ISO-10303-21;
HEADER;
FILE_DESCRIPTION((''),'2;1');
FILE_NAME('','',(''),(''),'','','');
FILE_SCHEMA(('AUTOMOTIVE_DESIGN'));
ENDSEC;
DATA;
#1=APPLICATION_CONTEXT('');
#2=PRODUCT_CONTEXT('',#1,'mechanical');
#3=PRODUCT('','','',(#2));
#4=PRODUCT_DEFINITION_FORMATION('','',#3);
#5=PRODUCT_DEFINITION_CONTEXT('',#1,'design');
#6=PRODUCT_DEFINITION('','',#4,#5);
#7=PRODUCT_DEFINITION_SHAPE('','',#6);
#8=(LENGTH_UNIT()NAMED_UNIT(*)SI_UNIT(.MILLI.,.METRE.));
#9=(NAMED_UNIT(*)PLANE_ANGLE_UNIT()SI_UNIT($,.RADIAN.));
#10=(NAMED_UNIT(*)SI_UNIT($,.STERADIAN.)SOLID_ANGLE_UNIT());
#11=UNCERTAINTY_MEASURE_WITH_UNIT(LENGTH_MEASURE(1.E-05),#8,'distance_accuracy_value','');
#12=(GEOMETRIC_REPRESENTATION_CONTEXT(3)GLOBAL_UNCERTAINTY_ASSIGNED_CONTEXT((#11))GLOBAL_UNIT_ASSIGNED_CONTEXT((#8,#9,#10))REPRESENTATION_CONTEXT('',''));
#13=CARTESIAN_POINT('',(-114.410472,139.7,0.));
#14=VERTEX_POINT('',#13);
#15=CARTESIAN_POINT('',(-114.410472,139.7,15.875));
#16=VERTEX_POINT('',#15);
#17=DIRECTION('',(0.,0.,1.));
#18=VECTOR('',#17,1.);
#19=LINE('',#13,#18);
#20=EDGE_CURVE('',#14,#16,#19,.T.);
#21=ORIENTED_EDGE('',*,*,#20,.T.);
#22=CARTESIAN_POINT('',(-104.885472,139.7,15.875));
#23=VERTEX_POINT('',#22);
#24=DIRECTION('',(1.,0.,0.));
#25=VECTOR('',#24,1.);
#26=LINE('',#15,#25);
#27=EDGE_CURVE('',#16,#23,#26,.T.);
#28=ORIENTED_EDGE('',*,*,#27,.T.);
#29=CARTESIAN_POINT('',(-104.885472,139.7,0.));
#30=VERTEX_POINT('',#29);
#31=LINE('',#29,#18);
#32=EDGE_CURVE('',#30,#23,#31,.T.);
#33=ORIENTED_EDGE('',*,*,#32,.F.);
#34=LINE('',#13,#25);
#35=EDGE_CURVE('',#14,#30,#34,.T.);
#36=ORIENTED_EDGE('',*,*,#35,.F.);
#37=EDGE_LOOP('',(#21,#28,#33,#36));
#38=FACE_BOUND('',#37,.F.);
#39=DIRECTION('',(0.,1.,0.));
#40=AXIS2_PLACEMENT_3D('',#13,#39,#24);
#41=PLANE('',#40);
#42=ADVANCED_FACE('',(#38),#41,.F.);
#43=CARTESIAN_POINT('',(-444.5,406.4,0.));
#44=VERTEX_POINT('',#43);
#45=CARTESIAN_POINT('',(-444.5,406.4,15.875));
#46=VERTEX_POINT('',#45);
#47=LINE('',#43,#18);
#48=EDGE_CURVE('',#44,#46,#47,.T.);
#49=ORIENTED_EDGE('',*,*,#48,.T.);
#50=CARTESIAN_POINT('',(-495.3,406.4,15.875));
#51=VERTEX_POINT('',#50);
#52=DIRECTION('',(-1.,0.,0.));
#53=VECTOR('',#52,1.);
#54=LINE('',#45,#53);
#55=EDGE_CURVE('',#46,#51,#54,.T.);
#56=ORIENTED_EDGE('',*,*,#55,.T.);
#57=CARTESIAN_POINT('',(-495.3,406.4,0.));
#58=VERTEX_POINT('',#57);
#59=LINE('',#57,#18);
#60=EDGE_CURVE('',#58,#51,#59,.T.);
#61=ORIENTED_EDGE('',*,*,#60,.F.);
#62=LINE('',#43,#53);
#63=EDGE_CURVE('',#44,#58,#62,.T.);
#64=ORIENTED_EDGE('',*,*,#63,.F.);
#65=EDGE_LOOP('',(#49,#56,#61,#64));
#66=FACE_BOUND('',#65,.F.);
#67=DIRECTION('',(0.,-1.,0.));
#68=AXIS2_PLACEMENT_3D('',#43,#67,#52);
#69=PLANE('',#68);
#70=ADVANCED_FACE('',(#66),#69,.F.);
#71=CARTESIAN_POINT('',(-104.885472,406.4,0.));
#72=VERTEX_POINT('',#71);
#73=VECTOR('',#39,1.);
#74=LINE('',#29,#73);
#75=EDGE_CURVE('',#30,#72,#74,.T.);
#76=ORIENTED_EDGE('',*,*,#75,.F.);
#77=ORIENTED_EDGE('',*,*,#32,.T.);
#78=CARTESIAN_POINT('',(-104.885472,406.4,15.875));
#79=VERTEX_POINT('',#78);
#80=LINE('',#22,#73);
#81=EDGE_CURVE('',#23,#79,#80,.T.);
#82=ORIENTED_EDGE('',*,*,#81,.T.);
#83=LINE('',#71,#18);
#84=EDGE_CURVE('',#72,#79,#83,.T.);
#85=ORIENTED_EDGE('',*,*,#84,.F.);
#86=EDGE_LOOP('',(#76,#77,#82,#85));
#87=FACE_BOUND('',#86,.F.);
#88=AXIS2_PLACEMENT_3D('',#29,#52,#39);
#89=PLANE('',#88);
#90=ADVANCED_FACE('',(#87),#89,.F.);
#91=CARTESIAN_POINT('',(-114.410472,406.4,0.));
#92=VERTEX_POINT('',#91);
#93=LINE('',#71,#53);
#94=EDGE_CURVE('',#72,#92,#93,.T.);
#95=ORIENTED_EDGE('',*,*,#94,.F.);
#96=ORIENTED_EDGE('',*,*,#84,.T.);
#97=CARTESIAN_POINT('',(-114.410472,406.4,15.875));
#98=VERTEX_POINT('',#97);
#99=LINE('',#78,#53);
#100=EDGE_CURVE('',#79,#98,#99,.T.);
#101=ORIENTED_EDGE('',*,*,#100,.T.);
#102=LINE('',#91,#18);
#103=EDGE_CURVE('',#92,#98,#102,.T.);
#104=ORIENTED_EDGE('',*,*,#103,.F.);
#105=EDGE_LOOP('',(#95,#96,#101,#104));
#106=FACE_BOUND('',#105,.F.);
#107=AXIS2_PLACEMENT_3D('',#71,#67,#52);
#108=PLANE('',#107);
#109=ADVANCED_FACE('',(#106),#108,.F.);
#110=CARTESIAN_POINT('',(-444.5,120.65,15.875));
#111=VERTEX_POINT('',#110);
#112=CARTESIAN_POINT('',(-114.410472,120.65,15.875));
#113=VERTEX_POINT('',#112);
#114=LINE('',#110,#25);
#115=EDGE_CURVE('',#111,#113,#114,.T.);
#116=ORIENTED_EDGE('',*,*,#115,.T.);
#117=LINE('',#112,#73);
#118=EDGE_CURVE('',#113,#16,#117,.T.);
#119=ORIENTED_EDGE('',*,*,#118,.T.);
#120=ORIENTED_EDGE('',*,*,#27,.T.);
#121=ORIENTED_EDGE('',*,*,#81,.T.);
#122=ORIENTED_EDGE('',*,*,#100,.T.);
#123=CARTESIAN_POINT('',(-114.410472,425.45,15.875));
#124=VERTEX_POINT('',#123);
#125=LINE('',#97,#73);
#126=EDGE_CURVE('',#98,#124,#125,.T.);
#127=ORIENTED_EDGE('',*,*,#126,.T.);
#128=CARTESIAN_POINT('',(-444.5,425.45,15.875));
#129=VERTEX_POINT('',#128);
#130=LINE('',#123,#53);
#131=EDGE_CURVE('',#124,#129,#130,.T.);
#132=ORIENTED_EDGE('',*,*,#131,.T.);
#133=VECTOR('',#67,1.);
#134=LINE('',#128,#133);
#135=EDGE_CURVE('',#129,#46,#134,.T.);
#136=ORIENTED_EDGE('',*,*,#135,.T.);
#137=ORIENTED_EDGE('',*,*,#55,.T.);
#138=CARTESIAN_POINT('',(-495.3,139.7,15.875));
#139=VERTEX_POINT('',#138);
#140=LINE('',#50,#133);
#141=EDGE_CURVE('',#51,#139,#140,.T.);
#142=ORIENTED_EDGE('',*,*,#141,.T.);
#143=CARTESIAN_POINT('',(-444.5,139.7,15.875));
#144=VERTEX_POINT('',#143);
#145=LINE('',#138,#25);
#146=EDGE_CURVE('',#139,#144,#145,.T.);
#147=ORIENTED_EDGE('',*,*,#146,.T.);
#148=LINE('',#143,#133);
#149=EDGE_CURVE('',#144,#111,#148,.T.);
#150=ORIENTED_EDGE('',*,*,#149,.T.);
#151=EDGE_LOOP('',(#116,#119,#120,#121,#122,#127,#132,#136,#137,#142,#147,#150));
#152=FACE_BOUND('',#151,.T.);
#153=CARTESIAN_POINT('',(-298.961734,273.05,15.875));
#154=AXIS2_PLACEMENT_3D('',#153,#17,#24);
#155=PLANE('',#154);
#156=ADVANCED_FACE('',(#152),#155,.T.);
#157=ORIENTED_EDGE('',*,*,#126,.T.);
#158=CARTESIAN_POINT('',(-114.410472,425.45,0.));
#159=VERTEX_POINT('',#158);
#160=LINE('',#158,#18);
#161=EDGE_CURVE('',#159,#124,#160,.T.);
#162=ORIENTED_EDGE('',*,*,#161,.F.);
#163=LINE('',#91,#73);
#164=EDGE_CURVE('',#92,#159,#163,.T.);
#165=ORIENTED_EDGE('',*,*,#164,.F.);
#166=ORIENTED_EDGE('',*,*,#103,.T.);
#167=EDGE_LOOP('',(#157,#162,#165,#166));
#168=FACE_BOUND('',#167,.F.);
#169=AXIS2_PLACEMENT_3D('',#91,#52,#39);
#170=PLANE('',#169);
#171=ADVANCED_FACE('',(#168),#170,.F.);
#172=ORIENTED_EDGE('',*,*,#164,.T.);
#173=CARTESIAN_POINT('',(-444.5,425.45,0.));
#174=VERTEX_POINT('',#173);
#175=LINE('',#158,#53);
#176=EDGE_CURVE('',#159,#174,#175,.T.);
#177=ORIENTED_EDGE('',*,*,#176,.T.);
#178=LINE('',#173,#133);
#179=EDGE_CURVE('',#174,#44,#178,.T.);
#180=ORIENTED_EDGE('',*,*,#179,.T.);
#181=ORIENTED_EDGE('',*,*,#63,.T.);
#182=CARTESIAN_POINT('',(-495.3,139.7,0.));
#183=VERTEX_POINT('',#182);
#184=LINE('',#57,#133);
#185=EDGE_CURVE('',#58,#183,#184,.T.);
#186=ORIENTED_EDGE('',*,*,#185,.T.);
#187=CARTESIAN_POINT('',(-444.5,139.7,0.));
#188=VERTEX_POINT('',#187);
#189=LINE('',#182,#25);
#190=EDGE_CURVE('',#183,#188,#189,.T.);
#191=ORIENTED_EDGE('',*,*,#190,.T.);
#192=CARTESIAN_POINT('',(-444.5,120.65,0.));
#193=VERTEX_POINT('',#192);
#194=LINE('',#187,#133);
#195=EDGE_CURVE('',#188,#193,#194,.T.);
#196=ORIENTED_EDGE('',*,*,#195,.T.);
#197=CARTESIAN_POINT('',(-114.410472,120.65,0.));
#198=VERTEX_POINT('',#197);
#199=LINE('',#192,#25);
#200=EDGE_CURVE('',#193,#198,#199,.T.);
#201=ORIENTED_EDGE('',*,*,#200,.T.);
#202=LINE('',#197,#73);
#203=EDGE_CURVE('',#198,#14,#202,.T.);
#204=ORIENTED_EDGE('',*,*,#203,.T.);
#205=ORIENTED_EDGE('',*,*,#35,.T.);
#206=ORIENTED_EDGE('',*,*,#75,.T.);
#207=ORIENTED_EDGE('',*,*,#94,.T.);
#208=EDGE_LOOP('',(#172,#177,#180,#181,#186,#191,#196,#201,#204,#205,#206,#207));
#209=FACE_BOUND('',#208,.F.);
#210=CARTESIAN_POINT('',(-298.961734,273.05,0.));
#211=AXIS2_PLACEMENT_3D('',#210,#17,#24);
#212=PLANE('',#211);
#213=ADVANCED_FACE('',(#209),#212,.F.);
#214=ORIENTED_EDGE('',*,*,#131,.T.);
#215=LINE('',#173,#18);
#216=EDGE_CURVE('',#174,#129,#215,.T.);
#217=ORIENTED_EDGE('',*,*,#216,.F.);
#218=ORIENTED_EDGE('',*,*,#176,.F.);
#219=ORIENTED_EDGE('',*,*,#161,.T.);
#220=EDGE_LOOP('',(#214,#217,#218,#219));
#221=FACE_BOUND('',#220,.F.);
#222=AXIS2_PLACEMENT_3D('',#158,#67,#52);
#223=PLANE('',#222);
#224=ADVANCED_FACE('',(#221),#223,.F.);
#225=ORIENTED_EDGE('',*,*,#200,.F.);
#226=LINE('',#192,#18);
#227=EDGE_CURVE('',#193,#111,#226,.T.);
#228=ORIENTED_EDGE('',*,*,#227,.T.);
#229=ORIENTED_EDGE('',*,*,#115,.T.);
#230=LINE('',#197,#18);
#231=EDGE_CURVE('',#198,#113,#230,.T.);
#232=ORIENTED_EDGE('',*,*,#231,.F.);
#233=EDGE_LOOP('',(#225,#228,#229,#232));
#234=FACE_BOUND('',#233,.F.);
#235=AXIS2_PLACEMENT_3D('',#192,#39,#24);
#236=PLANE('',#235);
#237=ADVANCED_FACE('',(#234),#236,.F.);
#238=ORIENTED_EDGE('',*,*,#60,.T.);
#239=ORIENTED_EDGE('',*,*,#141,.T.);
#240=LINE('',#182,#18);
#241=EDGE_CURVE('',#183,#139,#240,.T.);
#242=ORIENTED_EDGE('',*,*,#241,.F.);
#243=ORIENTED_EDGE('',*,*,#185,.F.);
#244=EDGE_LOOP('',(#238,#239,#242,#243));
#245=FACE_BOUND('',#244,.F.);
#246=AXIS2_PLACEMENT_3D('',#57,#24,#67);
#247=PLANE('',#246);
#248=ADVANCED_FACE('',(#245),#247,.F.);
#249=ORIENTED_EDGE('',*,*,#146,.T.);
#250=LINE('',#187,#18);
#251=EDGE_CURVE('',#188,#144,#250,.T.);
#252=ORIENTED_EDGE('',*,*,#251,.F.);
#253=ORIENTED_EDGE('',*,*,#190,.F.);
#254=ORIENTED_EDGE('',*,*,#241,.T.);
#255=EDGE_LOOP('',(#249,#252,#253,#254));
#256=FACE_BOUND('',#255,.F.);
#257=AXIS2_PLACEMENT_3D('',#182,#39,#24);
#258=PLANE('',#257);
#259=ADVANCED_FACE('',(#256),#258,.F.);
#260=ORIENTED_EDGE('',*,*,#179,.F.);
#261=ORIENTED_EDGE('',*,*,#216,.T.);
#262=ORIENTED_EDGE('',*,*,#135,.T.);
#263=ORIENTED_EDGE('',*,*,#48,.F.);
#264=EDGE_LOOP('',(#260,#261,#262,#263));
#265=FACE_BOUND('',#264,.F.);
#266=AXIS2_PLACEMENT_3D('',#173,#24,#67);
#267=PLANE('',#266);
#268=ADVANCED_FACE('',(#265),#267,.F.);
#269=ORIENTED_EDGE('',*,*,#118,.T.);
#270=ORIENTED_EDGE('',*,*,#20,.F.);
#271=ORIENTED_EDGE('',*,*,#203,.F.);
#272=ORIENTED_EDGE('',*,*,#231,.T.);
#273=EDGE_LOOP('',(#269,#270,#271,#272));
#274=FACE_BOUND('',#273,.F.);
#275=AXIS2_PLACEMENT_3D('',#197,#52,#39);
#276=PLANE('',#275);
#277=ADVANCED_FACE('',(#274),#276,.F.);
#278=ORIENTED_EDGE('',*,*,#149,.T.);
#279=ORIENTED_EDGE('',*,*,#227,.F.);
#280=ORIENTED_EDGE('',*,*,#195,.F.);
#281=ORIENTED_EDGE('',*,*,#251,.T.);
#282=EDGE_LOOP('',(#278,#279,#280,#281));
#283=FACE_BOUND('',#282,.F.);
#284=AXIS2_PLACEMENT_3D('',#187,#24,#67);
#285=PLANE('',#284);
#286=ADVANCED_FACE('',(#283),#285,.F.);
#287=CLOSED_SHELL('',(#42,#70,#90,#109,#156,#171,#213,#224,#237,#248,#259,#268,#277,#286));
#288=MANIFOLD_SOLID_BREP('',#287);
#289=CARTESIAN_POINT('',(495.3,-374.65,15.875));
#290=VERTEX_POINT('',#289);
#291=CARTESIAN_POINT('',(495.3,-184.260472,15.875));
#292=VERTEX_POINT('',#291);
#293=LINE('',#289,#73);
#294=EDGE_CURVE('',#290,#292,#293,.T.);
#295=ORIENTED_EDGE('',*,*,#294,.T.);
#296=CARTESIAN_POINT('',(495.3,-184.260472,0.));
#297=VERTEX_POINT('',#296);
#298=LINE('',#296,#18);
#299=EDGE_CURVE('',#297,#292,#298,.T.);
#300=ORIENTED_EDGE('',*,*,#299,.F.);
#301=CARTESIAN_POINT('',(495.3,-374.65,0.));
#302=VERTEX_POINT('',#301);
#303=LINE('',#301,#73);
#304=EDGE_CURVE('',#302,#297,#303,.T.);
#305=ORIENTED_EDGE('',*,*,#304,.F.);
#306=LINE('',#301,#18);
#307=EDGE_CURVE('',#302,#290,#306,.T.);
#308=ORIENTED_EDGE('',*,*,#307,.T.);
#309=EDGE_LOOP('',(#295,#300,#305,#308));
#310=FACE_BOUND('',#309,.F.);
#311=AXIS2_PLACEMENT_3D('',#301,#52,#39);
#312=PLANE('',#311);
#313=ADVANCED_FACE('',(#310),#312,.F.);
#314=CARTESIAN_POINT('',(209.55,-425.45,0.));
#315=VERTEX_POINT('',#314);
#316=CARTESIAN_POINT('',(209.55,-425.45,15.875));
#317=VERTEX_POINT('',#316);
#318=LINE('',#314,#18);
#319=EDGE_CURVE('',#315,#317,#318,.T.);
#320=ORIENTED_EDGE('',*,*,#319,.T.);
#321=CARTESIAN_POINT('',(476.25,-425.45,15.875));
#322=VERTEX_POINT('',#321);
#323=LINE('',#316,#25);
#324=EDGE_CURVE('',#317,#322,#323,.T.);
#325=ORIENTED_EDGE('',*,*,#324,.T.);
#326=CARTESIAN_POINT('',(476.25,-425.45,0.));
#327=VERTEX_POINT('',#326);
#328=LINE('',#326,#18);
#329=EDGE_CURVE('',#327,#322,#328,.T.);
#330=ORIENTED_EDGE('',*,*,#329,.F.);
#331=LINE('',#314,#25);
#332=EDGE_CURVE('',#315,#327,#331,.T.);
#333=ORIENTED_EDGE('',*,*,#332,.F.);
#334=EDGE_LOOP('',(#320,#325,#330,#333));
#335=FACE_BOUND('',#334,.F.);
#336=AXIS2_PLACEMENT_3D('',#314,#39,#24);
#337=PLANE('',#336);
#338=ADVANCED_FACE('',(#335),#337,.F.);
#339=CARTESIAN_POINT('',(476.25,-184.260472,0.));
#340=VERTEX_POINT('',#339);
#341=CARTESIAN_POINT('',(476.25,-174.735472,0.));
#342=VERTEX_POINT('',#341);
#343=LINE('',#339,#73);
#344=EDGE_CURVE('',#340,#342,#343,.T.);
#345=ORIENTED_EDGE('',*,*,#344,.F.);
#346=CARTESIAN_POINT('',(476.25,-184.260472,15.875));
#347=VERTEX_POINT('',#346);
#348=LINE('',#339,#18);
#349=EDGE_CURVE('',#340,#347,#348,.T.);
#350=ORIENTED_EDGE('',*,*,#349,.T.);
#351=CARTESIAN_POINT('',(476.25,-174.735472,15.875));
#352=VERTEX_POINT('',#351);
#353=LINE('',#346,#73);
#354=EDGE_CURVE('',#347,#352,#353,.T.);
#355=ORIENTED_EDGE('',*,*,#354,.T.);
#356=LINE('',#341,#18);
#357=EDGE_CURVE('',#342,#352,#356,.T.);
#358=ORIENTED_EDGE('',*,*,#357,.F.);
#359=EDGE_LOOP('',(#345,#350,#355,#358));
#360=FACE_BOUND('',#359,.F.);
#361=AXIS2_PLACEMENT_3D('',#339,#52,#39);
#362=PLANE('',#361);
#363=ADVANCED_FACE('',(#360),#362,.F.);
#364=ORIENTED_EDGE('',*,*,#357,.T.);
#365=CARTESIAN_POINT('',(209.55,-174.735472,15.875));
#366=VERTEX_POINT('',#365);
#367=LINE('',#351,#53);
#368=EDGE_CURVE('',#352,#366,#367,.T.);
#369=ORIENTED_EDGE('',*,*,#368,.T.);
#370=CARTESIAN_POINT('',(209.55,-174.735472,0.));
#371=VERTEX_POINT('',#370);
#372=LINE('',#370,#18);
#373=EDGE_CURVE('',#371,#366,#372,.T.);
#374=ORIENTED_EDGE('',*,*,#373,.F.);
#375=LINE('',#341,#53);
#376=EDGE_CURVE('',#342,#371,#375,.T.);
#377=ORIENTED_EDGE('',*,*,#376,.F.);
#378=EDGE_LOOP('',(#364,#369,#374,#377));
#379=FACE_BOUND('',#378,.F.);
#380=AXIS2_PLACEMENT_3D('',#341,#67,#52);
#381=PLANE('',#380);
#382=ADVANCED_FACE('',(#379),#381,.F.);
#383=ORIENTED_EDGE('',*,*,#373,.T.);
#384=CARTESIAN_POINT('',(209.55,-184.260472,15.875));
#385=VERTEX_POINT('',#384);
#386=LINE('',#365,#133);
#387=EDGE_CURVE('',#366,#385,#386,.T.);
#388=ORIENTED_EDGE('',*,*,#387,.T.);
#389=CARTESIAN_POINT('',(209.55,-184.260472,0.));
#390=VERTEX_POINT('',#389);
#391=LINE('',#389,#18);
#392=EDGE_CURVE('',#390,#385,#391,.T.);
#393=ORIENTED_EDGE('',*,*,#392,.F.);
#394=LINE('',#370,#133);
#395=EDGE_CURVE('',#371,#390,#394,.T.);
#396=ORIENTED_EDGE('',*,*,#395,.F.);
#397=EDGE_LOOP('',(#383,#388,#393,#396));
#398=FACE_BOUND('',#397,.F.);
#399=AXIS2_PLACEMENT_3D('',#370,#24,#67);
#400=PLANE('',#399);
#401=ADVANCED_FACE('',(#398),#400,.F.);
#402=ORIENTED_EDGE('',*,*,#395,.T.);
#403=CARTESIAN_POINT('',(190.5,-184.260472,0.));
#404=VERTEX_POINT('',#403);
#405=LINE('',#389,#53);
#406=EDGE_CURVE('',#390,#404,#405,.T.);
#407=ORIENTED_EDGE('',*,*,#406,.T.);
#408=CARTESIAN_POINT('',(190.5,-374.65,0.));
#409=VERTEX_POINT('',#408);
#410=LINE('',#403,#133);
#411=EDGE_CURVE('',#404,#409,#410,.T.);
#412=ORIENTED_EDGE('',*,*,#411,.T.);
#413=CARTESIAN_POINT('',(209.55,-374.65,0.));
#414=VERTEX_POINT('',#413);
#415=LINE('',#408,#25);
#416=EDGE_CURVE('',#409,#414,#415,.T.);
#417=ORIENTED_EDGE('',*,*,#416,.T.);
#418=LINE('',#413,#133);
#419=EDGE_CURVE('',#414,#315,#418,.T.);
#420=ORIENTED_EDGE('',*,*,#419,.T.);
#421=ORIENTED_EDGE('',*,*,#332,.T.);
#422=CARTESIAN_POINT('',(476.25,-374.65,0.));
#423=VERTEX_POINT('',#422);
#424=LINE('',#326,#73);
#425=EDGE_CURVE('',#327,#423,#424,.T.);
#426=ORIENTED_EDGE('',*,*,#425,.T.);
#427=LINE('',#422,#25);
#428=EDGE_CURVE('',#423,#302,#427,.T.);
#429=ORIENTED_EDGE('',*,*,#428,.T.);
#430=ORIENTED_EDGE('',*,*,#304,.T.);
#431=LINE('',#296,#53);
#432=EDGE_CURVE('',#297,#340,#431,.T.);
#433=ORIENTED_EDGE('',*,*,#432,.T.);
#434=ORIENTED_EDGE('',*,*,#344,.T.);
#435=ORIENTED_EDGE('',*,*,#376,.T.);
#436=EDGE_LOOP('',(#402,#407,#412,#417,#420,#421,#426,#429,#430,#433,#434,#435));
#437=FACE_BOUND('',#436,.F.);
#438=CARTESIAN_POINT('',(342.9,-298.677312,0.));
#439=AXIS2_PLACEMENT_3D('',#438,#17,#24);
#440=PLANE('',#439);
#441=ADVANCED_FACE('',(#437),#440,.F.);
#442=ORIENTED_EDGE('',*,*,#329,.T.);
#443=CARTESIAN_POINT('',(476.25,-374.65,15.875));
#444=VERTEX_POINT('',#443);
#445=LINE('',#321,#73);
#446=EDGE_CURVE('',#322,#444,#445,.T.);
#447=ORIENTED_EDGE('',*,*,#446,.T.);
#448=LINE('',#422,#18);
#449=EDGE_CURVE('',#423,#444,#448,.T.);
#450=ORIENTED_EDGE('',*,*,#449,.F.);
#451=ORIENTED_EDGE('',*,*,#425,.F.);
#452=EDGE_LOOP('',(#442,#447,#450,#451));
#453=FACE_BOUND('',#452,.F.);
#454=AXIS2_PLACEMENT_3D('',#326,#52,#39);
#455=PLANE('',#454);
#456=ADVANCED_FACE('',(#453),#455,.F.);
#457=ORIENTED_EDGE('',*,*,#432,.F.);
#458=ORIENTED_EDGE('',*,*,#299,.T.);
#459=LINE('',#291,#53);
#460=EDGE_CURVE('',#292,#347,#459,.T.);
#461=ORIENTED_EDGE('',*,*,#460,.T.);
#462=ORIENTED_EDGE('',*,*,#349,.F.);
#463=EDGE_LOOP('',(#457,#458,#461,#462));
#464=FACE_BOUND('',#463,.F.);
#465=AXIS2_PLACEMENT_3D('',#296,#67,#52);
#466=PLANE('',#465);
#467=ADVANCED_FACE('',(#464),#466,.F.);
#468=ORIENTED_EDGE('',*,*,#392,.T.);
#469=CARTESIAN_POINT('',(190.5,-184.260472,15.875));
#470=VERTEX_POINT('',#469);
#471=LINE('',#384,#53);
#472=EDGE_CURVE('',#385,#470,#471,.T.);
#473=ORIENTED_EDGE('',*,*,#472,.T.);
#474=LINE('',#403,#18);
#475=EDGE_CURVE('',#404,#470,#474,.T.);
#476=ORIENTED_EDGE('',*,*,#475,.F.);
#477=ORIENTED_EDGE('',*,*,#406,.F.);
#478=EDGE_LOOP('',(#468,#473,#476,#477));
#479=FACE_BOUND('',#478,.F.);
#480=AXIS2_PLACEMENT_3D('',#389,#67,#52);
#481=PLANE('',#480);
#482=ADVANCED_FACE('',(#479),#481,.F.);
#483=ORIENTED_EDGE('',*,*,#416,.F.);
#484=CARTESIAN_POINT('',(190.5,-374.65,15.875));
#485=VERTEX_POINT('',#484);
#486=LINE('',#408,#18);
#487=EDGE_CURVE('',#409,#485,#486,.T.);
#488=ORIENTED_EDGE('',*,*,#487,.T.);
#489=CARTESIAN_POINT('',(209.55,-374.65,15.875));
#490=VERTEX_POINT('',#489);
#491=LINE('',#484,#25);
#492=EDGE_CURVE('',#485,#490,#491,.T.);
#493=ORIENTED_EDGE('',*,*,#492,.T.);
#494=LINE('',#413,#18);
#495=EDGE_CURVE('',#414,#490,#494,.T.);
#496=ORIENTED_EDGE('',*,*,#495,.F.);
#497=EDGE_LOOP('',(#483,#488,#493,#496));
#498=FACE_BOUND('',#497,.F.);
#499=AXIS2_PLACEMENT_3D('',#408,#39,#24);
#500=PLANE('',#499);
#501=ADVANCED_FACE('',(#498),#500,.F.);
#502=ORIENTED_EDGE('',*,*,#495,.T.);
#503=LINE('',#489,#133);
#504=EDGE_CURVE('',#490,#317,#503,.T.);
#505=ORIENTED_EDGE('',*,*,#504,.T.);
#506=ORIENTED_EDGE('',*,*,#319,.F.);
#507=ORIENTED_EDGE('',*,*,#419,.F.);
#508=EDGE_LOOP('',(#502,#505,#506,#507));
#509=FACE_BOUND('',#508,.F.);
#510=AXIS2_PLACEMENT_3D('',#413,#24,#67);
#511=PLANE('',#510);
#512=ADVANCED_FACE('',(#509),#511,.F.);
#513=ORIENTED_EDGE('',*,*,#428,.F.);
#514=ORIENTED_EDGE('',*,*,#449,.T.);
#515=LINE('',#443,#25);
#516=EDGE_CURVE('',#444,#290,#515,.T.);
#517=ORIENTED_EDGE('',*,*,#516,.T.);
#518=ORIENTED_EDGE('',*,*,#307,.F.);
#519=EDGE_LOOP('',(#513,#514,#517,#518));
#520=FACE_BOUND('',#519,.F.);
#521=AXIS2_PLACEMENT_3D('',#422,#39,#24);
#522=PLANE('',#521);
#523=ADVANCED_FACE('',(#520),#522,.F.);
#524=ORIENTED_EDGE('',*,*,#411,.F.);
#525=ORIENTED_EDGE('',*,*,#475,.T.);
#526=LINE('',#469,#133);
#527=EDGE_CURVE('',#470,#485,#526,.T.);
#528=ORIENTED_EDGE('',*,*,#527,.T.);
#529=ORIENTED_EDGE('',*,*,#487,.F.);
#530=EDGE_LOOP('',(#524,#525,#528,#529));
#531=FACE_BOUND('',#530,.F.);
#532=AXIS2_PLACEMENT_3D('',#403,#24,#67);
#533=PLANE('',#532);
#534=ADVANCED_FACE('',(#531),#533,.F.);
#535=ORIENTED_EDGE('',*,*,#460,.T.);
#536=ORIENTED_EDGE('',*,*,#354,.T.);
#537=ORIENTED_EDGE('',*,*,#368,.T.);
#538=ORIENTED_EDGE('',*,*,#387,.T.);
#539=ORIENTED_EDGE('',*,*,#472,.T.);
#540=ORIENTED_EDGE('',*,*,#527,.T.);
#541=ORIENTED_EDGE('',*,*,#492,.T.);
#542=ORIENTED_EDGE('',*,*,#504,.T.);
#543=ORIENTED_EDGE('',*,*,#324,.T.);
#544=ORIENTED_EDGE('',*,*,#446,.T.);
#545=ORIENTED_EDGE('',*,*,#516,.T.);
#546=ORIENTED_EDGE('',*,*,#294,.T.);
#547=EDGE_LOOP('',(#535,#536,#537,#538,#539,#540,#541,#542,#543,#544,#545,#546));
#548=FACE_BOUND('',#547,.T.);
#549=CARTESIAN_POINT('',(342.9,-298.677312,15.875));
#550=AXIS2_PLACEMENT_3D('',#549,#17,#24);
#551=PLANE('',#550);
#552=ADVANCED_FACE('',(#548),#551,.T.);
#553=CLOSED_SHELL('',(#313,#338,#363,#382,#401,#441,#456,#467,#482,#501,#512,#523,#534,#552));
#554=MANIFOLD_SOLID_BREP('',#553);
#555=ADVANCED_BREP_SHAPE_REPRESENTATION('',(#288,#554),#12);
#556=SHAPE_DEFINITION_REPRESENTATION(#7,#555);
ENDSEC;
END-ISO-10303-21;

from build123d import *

# Parameters (mm, degrees)
F1_DEPTH = 15.875


with BuildPart() as f1:
    # F0 (on Top) → F1 (new body)
    with BuildSketch(Plane.XY):
        Polygon((209.55, -374.65), (209.55, -425.45), (476.25, -425.45), (476.25, -374.65), (495.3, -374.65), (495.3, -184.260472), (476.25, -184.260472), (476.25, -174.735472), (209.55, -174.735472), (209.55, -184.260472), (190.5, -184.260472), (190.5, -374.65), align=None)
        Polygon((-114.410472, 425.45), (-444.5, 425.45), (-444.5, 406.4), (-495.3, 406.4), (-495.3, 139.7), (-444.5, 139.7), (-444.5, 120.65), (-114.410472, 120.65), (-114.410472, 139.7), (-104.885472, 139.7), (-104.885472, 406.4), (-114.410472, 406.4), align=None)
    extrude(amount=F1_DEPTH)


solid = f1.part
